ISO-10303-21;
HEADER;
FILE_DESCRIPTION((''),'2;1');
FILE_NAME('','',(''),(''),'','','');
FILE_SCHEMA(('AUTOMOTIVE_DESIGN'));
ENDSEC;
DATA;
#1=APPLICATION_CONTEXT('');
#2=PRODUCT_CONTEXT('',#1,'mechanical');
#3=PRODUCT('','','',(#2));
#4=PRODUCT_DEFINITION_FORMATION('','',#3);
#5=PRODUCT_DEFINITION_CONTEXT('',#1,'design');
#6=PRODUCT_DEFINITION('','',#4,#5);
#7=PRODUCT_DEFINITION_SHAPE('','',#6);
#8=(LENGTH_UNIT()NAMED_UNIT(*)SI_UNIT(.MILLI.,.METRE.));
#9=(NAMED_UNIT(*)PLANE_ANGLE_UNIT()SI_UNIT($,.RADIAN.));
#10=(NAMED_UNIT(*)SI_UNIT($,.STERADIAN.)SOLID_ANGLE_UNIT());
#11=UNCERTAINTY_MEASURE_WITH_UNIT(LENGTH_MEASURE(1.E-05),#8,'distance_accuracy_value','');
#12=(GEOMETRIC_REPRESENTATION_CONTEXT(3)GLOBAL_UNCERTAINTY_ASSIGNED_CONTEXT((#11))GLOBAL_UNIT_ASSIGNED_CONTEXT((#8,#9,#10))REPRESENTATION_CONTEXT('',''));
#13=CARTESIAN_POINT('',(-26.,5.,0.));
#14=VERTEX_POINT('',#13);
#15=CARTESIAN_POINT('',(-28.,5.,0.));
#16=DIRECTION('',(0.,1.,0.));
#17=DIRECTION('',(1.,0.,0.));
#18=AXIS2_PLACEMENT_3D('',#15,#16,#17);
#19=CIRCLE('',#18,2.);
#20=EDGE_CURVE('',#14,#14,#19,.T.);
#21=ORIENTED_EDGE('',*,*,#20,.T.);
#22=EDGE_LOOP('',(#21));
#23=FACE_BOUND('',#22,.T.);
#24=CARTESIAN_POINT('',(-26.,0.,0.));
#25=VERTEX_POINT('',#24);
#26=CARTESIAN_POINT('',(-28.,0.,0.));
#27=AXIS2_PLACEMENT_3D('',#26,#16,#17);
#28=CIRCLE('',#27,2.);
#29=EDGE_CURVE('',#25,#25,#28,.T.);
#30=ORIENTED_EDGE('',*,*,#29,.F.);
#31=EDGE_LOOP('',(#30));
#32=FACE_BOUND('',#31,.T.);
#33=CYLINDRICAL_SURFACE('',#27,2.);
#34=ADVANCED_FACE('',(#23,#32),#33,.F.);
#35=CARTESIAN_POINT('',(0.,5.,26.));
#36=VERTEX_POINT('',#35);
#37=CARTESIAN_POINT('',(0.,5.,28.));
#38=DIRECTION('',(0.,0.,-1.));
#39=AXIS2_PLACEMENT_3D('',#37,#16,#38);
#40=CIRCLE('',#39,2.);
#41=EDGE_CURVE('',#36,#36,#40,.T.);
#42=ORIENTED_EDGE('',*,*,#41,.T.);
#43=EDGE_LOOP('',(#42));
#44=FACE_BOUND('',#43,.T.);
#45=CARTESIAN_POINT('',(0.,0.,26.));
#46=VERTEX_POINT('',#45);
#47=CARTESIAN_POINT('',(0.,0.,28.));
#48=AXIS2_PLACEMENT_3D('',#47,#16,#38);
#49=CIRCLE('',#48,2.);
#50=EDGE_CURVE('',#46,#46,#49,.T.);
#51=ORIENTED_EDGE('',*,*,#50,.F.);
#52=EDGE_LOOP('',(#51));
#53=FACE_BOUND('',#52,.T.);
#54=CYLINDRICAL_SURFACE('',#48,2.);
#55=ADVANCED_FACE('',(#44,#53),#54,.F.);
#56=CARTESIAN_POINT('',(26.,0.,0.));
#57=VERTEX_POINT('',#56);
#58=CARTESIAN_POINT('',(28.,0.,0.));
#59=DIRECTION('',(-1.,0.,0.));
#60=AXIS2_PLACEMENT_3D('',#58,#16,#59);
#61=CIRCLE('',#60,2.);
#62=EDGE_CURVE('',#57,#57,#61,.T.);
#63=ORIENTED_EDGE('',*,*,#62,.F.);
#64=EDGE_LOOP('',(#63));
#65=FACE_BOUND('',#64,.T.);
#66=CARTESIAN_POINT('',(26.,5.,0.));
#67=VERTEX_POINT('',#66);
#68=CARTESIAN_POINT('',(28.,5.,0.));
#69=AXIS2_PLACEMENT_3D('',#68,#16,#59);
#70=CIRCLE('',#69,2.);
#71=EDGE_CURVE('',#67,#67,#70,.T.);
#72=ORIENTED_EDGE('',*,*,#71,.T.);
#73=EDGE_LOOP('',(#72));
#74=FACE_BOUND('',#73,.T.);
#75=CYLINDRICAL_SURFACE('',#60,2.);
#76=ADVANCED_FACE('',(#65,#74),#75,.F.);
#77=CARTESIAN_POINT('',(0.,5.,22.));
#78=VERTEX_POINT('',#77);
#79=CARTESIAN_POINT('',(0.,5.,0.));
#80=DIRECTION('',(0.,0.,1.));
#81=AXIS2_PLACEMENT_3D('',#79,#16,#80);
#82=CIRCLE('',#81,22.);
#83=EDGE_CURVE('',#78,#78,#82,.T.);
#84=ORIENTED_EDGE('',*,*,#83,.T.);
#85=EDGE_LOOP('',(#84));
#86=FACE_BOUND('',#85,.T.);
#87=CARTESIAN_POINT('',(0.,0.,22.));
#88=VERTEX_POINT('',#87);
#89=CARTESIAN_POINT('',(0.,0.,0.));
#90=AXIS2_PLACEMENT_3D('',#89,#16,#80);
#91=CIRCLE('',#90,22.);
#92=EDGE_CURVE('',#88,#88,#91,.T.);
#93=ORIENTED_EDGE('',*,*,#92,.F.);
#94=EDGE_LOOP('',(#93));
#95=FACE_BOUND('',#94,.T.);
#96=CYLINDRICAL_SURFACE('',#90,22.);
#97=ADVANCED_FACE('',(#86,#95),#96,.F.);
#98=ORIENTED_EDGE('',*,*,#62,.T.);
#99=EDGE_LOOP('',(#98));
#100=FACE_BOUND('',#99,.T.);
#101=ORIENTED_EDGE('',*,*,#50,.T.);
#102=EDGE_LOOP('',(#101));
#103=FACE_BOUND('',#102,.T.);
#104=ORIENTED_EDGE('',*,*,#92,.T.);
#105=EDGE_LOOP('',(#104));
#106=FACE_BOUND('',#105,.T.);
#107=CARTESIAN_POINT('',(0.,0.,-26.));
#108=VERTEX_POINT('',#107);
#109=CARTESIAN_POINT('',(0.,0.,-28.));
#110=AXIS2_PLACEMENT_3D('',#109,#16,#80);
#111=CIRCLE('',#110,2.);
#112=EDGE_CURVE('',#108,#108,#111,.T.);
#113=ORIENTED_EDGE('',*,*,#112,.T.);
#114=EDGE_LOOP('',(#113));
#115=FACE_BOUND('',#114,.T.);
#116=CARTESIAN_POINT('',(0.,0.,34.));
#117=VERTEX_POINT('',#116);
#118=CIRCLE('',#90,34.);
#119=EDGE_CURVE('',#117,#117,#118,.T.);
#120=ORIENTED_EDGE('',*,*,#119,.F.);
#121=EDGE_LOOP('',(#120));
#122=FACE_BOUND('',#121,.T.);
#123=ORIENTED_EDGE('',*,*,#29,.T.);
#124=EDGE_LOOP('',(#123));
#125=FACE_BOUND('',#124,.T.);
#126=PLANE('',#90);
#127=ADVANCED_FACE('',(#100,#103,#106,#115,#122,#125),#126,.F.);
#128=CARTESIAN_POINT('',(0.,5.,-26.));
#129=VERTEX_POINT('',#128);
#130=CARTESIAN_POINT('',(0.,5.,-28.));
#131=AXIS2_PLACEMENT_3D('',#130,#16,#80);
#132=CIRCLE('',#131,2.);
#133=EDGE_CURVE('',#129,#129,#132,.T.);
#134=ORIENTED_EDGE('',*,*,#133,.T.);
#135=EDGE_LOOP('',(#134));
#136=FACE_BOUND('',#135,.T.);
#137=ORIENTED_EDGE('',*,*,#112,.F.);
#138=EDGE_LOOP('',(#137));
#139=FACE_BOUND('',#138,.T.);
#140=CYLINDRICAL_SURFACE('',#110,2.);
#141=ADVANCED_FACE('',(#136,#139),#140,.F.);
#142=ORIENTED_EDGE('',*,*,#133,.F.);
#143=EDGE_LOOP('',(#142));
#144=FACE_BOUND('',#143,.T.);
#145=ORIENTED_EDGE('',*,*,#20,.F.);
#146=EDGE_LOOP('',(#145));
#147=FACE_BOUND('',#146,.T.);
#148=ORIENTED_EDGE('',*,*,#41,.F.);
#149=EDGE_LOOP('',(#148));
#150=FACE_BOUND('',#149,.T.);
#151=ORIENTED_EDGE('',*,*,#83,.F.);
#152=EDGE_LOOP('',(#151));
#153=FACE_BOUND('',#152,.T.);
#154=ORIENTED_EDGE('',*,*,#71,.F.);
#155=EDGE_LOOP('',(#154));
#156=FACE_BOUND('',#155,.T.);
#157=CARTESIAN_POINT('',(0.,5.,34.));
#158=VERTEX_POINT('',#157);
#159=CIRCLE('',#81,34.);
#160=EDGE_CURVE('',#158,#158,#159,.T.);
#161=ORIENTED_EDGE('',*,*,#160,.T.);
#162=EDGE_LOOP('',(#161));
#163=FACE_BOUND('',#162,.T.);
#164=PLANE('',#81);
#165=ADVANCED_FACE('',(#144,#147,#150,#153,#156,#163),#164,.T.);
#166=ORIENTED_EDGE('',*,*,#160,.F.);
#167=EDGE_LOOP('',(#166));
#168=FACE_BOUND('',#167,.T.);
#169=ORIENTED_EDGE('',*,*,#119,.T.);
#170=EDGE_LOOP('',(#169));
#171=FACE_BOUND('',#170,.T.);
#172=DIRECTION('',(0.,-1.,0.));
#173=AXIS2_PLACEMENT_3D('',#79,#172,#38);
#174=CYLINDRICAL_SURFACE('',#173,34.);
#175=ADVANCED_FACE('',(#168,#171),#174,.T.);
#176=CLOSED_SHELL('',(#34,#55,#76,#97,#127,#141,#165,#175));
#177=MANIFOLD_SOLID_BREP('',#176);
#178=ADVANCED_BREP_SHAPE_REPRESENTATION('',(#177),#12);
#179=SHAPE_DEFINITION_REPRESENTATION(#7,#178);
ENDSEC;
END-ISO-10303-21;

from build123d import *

# Parameters (mm, degrees)
SKETCH_1_R               = 34
EXTRUDE_1_DEPTH          = 5
SKETCH_2_R               = 22
CUT_EXTRUDE_1_DEPTH      = 5
SKETCH_3_R               = 2
CUT_EXTRUDE_2_DEPTH      = 5
PATTERN_CIRCULAR_1_COUNT = 4


with BuildPart() as part:
    # 草图1 → 凸台-拉伸1 (new body)
    with BuildSketch(Plane(origin=(0, 0, 0), x_dir=(1, 0, 0), z_dir=(0, 1, 0))):
        with Locations(Location((0, 0, 0), (0, 0, 270))):
            Circle(SKETCH_1_R)
    extrude(amount=EXTRUDE_1_DEPTH)

    # 草图2 → 切除-拉伸1 (cut)
    with BuildSketch(Plane(origin=(0, 5, 0), x_dir=(1, 0, 0), z_dir=(0, 1, 0))):
        with Locations(Location((0, 0, 0), (0, 0, 270))):
            Circle(SKETCH_2_R)
    extrude(amount=-CUT_EXTRUDE_1_DEPTH, mode=Mode.SUBTRACT)

    # 草图3 → 切除-拉伸2 (cut)
    with BuildSketch(Plane(origin=(0, 5, 0), x_dir=(1, 0, 0), z_dir=(0, 1, 0))):
        with Locations(Location((0, 28, 0), (0, 0, 270))):
            Circle(SKETCH_3_R)
    cut_extrude_2 = extrude(amount=-CUT_EXTRUDE_2_DEPTH, mode=Mode.SUBTRACT)

    # 阵列(圆周)1: 切除-拉伸2 ×4 about axis
    pattern_circular_1_axis = Axis((0, 0, 0), (0, 1, 0))
    for i in range(1, PATTERN_CIRCULAR_1_COUNT):
        add(cut_extrude_2.rotate(pattern_circular_1_axis, i * 360 / PATTERN_CIRCULAR_1_COUNT), mode=Mode.SUBTRACT)


solid = part.part
